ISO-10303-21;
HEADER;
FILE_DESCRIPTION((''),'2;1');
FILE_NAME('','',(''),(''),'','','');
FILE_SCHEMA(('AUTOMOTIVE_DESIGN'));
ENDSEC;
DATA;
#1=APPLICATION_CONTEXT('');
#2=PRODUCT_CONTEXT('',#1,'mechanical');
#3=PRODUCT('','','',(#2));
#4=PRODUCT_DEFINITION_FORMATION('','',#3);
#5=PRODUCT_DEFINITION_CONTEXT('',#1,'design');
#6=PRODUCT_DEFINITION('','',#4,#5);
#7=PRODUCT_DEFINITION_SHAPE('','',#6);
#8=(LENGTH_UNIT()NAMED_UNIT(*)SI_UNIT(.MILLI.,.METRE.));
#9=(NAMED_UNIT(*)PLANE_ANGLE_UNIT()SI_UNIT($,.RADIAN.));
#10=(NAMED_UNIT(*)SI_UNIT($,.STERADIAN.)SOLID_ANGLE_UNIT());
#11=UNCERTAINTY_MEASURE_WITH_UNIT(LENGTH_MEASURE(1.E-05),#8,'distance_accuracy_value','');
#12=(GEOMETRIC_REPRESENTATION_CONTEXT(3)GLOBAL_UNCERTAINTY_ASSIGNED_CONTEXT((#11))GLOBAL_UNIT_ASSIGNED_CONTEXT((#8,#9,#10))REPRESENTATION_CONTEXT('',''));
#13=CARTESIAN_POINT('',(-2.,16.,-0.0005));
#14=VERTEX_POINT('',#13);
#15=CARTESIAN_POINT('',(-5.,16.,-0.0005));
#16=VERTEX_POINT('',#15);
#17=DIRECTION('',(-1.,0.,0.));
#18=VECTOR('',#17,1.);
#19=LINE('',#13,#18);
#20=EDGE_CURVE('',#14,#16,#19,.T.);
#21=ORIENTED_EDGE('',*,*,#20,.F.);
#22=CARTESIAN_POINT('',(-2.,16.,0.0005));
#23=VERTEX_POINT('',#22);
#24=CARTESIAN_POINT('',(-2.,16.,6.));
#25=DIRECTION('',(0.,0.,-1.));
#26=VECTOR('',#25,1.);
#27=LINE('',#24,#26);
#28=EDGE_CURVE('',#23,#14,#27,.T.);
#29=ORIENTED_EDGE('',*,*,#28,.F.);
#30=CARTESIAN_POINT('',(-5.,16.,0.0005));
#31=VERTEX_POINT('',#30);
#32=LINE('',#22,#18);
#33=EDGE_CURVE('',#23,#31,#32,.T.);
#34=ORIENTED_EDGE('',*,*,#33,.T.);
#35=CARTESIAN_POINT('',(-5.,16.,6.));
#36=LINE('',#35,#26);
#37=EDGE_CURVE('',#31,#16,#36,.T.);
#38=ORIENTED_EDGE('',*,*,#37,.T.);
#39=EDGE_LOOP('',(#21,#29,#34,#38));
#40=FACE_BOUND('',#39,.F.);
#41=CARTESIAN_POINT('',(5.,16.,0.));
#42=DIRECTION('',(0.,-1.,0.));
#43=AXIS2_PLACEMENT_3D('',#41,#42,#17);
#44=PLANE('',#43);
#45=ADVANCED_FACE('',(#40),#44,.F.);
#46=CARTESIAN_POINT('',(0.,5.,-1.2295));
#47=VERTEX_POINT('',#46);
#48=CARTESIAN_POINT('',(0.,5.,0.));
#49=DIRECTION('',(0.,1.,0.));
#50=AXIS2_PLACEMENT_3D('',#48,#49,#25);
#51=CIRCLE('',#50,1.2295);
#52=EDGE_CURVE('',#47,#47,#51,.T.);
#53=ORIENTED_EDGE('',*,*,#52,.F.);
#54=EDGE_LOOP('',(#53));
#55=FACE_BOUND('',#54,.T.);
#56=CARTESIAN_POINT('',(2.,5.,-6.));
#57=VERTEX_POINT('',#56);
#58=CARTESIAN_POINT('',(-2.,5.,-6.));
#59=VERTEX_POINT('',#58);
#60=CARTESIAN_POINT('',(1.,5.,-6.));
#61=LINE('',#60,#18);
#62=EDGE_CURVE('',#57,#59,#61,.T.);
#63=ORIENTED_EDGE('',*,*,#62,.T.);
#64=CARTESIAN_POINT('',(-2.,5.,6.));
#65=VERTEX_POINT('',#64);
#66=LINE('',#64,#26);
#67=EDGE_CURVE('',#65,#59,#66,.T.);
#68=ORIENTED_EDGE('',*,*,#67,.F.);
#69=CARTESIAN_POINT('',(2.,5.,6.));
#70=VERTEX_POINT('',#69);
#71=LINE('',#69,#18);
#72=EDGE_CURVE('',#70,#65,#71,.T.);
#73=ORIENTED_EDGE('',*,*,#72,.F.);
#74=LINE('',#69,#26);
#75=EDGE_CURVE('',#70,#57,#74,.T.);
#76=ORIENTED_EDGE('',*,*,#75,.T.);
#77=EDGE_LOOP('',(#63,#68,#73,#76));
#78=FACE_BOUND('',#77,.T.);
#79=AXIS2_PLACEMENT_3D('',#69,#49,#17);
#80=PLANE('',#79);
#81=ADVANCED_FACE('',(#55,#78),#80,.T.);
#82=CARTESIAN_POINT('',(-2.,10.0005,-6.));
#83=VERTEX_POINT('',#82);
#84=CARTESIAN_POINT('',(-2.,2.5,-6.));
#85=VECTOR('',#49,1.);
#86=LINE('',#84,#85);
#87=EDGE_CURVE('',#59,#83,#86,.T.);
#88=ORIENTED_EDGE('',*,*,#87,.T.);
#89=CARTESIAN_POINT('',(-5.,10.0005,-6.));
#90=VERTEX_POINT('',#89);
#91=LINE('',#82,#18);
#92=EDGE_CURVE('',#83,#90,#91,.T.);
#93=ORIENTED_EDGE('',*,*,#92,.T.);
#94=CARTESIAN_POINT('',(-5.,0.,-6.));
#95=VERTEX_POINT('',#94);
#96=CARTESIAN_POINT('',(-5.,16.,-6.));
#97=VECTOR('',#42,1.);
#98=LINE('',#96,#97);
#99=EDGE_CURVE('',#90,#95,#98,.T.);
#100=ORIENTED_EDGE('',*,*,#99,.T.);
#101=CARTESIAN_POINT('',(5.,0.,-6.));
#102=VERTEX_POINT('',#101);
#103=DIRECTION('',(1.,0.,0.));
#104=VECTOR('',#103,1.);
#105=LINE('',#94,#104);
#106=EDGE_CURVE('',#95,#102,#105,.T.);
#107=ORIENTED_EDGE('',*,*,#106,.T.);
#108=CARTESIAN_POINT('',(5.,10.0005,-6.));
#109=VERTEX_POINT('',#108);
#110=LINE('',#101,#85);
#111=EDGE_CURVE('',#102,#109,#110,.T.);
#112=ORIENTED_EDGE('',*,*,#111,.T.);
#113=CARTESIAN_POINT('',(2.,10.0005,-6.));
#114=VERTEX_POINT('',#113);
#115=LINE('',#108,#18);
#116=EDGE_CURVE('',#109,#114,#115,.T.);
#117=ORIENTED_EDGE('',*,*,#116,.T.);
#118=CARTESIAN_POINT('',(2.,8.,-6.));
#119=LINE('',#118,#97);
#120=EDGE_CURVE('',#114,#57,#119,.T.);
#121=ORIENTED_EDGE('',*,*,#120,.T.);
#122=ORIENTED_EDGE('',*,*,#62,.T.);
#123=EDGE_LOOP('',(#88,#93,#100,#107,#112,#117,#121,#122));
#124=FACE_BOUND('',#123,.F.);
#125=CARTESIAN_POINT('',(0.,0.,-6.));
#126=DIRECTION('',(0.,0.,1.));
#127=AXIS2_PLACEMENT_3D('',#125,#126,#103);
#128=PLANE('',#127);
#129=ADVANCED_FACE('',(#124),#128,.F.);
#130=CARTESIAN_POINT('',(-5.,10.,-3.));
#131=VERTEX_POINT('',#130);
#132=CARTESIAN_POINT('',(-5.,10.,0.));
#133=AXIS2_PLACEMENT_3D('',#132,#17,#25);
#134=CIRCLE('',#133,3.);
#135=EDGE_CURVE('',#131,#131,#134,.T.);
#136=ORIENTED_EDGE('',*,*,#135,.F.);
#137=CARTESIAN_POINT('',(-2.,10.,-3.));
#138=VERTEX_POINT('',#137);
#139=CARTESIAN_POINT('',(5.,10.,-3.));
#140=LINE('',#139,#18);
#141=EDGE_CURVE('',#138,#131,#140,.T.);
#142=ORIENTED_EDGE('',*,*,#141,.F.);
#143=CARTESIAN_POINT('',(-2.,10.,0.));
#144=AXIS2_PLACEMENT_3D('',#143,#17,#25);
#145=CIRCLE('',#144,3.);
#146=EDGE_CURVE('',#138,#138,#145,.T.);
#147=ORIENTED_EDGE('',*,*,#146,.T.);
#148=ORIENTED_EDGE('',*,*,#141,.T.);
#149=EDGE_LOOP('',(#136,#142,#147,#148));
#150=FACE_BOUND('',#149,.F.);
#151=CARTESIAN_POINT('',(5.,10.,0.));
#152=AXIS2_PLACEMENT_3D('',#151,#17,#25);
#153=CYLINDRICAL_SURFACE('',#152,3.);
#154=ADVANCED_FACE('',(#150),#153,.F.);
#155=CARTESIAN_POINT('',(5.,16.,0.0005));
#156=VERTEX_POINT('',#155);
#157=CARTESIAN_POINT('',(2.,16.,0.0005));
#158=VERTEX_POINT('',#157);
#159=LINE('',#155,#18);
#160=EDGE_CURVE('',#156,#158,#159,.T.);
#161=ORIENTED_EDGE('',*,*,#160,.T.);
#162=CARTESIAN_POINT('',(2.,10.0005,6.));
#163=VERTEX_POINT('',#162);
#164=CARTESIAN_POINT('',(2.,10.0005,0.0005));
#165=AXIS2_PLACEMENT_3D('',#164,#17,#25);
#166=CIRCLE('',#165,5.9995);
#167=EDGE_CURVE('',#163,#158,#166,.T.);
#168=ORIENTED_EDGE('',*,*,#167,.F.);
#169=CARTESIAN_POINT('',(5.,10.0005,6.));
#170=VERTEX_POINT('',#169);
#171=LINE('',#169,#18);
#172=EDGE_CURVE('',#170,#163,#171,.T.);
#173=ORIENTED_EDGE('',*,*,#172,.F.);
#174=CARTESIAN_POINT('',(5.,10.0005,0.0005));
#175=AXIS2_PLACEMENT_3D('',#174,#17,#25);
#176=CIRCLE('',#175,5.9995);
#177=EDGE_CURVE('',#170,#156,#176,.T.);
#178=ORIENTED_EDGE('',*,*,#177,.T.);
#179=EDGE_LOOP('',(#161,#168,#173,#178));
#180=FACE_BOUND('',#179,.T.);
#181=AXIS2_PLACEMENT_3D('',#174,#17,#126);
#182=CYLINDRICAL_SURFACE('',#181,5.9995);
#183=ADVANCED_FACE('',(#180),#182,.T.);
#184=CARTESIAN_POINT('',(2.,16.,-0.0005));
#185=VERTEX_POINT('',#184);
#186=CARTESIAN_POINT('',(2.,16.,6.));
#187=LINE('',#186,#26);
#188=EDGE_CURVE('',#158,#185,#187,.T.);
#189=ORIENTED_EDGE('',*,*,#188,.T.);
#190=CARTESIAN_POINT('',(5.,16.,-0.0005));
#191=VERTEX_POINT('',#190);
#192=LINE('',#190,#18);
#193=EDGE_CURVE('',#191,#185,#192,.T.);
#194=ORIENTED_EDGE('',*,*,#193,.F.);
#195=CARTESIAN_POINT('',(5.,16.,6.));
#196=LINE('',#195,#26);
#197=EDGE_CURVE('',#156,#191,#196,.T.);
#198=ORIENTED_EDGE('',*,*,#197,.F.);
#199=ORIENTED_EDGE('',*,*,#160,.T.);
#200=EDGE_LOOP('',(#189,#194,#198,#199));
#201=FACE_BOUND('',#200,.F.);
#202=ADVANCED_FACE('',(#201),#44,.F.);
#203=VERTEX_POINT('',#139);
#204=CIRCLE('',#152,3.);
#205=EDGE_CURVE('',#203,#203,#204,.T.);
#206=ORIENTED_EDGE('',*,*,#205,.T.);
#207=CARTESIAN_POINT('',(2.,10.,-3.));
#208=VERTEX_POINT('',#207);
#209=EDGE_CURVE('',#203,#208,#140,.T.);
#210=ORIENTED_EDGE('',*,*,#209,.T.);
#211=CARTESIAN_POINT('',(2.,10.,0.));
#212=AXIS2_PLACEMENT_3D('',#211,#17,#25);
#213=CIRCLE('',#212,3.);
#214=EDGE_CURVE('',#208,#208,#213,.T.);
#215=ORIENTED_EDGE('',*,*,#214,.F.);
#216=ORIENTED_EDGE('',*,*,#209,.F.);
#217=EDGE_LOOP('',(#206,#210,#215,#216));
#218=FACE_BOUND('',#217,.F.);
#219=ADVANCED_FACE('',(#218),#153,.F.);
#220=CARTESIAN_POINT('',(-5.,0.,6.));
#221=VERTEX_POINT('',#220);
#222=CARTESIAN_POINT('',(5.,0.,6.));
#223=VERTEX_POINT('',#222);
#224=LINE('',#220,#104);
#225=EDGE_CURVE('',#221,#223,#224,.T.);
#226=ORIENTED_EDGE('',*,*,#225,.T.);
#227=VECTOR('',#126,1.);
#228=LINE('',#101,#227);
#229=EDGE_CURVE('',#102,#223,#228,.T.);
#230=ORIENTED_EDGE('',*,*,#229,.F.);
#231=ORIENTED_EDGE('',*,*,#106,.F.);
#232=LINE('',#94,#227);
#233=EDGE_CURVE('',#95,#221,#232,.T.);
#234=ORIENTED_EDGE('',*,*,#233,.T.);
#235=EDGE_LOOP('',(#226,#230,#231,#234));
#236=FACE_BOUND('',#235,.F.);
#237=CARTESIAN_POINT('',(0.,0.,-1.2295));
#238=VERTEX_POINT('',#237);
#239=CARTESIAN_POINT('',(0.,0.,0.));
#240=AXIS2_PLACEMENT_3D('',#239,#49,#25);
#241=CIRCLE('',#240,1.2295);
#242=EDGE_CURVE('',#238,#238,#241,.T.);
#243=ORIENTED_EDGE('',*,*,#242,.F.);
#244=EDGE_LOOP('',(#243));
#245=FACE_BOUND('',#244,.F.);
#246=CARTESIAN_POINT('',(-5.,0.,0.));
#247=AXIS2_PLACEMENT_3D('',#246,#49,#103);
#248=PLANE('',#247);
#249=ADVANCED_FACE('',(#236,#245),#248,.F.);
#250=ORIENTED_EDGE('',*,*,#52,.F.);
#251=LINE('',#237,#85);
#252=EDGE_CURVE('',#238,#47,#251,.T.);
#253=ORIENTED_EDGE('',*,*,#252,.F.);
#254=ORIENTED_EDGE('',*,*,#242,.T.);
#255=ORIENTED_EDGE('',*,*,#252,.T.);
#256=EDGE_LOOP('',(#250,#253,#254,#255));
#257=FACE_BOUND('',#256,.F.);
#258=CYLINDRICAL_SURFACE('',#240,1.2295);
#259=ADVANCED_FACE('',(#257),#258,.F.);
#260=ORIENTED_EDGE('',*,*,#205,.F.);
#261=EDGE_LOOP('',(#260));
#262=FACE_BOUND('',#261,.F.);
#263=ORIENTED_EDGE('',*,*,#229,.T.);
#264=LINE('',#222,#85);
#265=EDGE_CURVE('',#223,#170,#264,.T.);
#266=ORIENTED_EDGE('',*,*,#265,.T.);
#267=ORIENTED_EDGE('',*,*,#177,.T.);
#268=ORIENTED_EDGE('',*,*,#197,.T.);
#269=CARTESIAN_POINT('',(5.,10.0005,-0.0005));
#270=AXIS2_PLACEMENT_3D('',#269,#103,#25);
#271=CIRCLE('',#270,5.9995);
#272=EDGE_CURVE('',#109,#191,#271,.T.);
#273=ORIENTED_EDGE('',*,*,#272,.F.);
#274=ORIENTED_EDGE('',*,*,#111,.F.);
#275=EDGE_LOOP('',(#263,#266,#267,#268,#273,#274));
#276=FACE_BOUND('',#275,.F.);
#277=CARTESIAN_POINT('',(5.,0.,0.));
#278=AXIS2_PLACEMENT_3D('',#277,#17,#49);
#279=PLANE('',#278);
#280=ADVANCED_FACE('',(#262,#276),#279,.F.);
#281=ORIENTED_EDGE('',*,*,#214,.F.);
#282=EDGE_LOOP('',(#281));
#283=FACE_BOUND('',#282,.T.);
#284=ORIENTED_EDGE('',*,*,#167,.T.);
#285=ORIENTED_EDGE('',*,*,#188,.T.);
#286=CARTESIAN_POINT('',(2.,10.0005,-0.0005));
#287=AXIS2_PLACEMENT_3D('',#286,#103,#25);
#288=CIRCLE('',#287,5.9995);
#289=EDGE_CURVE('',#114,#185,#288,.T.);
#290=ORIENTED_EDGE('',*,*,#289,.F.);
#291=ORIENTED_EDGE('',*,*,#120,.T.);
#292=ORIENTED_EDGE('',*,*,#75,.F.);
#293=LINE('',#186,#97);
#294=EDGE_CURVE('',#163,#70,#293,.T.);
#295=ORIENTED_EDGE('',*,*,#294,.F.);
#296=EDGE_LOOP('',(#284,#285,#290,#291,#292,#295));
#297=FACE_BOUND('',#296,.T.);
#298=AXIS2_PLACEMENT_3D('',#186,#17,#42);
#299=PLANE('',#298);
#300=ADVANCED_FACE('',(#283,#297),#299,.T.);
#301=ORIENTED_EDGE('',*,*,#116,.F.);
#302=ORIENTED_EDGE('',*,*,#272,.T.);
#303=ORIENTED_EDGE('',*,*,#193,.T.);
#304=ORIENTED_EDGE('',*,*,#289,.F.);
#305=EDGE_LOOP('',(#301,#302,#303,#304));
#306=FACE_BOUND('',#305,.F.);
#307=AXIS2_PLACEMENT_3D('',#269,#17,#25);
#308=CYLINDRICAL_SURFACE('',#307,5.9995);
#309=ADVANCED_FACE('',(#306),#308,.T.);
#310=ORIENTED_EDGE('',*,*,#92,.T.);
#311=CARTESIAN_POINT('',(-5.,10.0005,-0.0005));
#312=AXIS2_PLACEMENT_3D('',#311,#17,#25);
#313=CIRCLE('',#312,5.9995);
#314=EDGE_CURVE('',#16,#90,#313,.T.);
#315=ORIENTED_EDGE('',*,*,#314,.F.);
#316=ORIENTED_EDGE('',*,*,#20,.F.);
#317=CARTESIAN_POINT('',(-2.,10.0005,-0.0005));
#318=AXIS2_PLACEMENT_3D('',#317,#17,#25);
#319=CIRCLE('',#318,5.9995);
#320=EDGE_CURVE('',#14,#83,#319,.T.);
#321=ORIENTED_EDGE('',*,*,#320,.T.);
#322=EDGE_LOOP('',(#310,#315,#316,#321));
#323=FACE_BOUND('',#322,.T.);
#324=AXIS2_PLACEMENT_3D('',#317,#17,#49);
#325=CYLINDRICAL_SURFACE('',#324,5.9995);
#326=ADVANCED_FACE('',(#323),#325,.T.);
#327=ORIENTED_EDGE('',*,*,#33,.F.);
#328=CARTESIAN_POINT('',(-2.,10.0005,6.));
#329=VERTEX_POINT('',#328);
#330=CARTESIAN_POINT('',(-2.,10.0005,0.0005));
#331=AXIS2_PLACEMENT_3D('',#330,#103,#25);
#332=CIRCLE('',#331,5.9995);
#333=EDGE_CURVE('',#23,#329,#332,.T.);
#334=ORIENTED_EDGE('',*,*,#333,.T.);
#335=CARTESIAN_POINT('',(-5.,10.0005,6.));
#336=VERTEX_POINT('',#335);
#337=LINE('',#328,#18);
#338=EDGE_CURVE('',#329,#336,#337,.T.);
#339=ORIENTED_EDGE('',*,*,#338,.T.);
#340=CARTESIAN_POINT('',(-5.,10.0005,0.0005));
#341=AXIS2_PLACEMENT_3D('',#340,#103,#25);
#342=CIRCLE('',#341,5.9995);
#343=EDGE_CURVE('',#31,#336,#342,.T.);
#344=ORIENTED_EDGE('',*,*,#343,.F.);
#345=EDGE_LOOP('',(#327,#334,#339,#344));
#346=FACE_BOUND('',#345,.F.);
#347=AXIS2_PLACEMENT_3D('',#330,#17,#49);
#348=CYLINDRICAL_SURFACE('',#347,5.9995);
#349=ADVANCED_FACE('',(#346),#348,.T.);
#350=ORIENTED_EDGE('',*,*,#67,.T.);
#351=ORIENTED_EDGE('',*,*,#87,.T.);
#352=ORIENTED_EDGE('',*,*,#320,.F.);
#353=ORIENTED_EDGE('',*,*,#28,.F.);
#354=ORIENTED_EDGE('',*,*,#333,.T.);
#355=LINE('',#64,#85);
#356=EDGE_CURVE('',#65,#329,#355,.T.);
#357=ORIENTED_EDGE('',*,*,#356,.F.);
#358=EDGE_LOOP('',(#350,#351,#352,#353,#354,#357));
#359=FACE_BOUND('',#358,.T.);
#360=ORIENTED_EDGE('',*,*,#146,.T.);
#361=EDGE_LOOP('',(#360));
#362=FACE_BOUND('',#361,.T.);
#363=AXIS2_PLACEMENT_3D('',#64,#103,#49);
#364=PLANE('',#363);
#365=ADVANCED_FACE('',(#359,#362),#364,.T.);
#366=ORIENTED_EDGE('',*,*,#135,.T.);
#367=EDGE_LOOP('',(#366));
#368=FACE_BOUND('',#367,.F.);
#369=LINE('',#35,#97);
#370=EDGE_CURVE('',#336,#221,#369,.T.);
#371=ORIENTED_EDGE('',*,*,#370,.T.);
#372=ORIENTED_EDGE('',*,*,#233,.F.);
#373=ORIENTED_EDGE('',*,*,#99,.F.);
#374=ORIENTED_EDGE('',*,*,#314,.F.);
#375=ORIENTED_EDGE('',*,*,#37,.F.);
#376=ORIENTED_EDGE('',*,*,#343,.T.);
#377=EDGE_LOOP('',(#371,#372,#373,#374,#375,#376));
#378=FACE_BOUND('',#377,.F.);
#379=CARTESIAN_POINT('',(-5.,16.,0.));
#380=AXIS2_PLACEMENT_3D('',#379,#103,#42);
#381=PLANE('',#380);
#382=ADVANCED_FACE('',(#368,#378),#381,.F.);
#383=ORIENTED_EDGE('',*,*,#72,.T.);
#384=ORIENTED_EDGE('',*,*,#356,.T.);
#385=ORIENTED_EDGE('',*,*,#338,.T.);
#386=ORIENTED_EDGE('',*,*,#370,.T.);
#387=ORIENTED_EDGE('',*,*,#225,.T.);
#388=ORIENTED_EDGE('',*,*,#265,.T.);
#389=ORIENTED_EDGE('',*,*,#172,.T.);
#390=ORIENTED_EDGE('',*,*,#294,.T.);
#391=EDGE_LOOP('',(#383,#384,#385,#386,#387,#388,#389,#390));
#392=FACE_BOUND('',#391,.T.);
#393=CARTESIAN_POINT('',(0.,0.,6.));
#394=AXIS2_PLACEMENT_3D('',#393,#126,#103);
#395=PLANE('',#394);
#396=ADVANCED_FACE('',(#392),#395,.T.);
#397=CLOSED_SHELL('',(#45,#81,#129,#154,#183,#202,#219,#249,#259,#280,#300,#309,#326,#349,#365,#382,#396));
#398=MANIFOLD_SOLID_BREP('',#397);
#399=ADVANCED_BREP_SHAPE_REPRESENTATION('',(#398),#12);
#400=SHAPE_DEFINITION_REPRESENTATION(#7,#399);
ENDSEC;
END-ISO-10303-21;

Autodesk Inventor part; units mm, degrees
ref_plane "YZ Plane" through (0, 0, 0) normal (1, 0, 0) x (0, 1, 0)
ref_plane "XZ Plane" through (0, 0, 0) normal (0, 1, 0) x (-1, 0, 0)
ref_plane "XY Plane" through (0, 0, 0) normal (0, 0, 1) x (1, 0, 0)
sketch "Sketch1" plane through (0, 0, 0) normal (0, 0, 1) x (1, 0, 0)
  line L0 (-5, 0) -> (5, 0)
  line L1 (5, 0) -> (5, 16)
  line L2 (5, 16) -> (-5, 16)
  line L3 (-5, 16) -> (-5, 0)
  point P0 (0, 0)
  dimension "d0" = 0
  dimension "d1" = 10
  dimension "d2" = 16
  dimension "d3" = 5
extrude "Extrusion1" add sketch "Sketch1" along normal mid plane 12
sketch "Sketch2" plane through (0, 0, 6) normal (0, 0, 1) x (1, 0, 0)
  line L0 (5, 16) -> (-5, 16) projected
  line L1 (-2, 16) -> (2, 16)
  line L2 (2, 16) -> (2, 5)
  line L3 (2, 5) -> (-2, 5)
  line L4 (-2, 5) -> (-2, 16)
  point P0 (0, 0)
  dimension "d6" = 11
  dimension "d7" = 4
  dimension "d8" = 2
extrude "Extrusion2" cut sketch "Sketch2" against normal through all
sketch "Sketch3" plane through (5, 0, 6) normal (1, 0, 0) x (0, 0, -1)
  circle A0 centre (6, 10) radius 3
  line L0 (0, 0) -> (12, 0) projected
  line L1 (12, 16) -> (0, 16) projected
  point P0 (6, 0)
  point P1 (6, 0)
  dimension "d11" = 6
  dimension "d12" = 6
hole "Hole1" at (5, 10, 0) direction (-1, 0, 0) diameter 6 end through all
fillet "Fillet1" radius 6 4 edges at (3.5, 16, 6) (3.5, 16, -6) (-3.5, 16, -6) (-3.5, 16, 6)
sketch "Sketch4" plane through (-5, 0, 6) normal (0, -1, 0) x (1, 0, 0)
  circle A0 centre (5, -6) radius 1.5
  dimension "d21" = 3
hole "Hole2" at (0, 0, 0) direction (0, 1, 0) diameter 2.459 depth 5 thread size "M3x0.5" class "6H" standard "ISO Metric profile"
equation "\"d3\" = 0.5 * d1"
equation "\"d8\" = 0.5 * d7"
equation "\"d13\" = d12"
properties part number "Gripper_Link_Holder" material "Aluminum 6061"
